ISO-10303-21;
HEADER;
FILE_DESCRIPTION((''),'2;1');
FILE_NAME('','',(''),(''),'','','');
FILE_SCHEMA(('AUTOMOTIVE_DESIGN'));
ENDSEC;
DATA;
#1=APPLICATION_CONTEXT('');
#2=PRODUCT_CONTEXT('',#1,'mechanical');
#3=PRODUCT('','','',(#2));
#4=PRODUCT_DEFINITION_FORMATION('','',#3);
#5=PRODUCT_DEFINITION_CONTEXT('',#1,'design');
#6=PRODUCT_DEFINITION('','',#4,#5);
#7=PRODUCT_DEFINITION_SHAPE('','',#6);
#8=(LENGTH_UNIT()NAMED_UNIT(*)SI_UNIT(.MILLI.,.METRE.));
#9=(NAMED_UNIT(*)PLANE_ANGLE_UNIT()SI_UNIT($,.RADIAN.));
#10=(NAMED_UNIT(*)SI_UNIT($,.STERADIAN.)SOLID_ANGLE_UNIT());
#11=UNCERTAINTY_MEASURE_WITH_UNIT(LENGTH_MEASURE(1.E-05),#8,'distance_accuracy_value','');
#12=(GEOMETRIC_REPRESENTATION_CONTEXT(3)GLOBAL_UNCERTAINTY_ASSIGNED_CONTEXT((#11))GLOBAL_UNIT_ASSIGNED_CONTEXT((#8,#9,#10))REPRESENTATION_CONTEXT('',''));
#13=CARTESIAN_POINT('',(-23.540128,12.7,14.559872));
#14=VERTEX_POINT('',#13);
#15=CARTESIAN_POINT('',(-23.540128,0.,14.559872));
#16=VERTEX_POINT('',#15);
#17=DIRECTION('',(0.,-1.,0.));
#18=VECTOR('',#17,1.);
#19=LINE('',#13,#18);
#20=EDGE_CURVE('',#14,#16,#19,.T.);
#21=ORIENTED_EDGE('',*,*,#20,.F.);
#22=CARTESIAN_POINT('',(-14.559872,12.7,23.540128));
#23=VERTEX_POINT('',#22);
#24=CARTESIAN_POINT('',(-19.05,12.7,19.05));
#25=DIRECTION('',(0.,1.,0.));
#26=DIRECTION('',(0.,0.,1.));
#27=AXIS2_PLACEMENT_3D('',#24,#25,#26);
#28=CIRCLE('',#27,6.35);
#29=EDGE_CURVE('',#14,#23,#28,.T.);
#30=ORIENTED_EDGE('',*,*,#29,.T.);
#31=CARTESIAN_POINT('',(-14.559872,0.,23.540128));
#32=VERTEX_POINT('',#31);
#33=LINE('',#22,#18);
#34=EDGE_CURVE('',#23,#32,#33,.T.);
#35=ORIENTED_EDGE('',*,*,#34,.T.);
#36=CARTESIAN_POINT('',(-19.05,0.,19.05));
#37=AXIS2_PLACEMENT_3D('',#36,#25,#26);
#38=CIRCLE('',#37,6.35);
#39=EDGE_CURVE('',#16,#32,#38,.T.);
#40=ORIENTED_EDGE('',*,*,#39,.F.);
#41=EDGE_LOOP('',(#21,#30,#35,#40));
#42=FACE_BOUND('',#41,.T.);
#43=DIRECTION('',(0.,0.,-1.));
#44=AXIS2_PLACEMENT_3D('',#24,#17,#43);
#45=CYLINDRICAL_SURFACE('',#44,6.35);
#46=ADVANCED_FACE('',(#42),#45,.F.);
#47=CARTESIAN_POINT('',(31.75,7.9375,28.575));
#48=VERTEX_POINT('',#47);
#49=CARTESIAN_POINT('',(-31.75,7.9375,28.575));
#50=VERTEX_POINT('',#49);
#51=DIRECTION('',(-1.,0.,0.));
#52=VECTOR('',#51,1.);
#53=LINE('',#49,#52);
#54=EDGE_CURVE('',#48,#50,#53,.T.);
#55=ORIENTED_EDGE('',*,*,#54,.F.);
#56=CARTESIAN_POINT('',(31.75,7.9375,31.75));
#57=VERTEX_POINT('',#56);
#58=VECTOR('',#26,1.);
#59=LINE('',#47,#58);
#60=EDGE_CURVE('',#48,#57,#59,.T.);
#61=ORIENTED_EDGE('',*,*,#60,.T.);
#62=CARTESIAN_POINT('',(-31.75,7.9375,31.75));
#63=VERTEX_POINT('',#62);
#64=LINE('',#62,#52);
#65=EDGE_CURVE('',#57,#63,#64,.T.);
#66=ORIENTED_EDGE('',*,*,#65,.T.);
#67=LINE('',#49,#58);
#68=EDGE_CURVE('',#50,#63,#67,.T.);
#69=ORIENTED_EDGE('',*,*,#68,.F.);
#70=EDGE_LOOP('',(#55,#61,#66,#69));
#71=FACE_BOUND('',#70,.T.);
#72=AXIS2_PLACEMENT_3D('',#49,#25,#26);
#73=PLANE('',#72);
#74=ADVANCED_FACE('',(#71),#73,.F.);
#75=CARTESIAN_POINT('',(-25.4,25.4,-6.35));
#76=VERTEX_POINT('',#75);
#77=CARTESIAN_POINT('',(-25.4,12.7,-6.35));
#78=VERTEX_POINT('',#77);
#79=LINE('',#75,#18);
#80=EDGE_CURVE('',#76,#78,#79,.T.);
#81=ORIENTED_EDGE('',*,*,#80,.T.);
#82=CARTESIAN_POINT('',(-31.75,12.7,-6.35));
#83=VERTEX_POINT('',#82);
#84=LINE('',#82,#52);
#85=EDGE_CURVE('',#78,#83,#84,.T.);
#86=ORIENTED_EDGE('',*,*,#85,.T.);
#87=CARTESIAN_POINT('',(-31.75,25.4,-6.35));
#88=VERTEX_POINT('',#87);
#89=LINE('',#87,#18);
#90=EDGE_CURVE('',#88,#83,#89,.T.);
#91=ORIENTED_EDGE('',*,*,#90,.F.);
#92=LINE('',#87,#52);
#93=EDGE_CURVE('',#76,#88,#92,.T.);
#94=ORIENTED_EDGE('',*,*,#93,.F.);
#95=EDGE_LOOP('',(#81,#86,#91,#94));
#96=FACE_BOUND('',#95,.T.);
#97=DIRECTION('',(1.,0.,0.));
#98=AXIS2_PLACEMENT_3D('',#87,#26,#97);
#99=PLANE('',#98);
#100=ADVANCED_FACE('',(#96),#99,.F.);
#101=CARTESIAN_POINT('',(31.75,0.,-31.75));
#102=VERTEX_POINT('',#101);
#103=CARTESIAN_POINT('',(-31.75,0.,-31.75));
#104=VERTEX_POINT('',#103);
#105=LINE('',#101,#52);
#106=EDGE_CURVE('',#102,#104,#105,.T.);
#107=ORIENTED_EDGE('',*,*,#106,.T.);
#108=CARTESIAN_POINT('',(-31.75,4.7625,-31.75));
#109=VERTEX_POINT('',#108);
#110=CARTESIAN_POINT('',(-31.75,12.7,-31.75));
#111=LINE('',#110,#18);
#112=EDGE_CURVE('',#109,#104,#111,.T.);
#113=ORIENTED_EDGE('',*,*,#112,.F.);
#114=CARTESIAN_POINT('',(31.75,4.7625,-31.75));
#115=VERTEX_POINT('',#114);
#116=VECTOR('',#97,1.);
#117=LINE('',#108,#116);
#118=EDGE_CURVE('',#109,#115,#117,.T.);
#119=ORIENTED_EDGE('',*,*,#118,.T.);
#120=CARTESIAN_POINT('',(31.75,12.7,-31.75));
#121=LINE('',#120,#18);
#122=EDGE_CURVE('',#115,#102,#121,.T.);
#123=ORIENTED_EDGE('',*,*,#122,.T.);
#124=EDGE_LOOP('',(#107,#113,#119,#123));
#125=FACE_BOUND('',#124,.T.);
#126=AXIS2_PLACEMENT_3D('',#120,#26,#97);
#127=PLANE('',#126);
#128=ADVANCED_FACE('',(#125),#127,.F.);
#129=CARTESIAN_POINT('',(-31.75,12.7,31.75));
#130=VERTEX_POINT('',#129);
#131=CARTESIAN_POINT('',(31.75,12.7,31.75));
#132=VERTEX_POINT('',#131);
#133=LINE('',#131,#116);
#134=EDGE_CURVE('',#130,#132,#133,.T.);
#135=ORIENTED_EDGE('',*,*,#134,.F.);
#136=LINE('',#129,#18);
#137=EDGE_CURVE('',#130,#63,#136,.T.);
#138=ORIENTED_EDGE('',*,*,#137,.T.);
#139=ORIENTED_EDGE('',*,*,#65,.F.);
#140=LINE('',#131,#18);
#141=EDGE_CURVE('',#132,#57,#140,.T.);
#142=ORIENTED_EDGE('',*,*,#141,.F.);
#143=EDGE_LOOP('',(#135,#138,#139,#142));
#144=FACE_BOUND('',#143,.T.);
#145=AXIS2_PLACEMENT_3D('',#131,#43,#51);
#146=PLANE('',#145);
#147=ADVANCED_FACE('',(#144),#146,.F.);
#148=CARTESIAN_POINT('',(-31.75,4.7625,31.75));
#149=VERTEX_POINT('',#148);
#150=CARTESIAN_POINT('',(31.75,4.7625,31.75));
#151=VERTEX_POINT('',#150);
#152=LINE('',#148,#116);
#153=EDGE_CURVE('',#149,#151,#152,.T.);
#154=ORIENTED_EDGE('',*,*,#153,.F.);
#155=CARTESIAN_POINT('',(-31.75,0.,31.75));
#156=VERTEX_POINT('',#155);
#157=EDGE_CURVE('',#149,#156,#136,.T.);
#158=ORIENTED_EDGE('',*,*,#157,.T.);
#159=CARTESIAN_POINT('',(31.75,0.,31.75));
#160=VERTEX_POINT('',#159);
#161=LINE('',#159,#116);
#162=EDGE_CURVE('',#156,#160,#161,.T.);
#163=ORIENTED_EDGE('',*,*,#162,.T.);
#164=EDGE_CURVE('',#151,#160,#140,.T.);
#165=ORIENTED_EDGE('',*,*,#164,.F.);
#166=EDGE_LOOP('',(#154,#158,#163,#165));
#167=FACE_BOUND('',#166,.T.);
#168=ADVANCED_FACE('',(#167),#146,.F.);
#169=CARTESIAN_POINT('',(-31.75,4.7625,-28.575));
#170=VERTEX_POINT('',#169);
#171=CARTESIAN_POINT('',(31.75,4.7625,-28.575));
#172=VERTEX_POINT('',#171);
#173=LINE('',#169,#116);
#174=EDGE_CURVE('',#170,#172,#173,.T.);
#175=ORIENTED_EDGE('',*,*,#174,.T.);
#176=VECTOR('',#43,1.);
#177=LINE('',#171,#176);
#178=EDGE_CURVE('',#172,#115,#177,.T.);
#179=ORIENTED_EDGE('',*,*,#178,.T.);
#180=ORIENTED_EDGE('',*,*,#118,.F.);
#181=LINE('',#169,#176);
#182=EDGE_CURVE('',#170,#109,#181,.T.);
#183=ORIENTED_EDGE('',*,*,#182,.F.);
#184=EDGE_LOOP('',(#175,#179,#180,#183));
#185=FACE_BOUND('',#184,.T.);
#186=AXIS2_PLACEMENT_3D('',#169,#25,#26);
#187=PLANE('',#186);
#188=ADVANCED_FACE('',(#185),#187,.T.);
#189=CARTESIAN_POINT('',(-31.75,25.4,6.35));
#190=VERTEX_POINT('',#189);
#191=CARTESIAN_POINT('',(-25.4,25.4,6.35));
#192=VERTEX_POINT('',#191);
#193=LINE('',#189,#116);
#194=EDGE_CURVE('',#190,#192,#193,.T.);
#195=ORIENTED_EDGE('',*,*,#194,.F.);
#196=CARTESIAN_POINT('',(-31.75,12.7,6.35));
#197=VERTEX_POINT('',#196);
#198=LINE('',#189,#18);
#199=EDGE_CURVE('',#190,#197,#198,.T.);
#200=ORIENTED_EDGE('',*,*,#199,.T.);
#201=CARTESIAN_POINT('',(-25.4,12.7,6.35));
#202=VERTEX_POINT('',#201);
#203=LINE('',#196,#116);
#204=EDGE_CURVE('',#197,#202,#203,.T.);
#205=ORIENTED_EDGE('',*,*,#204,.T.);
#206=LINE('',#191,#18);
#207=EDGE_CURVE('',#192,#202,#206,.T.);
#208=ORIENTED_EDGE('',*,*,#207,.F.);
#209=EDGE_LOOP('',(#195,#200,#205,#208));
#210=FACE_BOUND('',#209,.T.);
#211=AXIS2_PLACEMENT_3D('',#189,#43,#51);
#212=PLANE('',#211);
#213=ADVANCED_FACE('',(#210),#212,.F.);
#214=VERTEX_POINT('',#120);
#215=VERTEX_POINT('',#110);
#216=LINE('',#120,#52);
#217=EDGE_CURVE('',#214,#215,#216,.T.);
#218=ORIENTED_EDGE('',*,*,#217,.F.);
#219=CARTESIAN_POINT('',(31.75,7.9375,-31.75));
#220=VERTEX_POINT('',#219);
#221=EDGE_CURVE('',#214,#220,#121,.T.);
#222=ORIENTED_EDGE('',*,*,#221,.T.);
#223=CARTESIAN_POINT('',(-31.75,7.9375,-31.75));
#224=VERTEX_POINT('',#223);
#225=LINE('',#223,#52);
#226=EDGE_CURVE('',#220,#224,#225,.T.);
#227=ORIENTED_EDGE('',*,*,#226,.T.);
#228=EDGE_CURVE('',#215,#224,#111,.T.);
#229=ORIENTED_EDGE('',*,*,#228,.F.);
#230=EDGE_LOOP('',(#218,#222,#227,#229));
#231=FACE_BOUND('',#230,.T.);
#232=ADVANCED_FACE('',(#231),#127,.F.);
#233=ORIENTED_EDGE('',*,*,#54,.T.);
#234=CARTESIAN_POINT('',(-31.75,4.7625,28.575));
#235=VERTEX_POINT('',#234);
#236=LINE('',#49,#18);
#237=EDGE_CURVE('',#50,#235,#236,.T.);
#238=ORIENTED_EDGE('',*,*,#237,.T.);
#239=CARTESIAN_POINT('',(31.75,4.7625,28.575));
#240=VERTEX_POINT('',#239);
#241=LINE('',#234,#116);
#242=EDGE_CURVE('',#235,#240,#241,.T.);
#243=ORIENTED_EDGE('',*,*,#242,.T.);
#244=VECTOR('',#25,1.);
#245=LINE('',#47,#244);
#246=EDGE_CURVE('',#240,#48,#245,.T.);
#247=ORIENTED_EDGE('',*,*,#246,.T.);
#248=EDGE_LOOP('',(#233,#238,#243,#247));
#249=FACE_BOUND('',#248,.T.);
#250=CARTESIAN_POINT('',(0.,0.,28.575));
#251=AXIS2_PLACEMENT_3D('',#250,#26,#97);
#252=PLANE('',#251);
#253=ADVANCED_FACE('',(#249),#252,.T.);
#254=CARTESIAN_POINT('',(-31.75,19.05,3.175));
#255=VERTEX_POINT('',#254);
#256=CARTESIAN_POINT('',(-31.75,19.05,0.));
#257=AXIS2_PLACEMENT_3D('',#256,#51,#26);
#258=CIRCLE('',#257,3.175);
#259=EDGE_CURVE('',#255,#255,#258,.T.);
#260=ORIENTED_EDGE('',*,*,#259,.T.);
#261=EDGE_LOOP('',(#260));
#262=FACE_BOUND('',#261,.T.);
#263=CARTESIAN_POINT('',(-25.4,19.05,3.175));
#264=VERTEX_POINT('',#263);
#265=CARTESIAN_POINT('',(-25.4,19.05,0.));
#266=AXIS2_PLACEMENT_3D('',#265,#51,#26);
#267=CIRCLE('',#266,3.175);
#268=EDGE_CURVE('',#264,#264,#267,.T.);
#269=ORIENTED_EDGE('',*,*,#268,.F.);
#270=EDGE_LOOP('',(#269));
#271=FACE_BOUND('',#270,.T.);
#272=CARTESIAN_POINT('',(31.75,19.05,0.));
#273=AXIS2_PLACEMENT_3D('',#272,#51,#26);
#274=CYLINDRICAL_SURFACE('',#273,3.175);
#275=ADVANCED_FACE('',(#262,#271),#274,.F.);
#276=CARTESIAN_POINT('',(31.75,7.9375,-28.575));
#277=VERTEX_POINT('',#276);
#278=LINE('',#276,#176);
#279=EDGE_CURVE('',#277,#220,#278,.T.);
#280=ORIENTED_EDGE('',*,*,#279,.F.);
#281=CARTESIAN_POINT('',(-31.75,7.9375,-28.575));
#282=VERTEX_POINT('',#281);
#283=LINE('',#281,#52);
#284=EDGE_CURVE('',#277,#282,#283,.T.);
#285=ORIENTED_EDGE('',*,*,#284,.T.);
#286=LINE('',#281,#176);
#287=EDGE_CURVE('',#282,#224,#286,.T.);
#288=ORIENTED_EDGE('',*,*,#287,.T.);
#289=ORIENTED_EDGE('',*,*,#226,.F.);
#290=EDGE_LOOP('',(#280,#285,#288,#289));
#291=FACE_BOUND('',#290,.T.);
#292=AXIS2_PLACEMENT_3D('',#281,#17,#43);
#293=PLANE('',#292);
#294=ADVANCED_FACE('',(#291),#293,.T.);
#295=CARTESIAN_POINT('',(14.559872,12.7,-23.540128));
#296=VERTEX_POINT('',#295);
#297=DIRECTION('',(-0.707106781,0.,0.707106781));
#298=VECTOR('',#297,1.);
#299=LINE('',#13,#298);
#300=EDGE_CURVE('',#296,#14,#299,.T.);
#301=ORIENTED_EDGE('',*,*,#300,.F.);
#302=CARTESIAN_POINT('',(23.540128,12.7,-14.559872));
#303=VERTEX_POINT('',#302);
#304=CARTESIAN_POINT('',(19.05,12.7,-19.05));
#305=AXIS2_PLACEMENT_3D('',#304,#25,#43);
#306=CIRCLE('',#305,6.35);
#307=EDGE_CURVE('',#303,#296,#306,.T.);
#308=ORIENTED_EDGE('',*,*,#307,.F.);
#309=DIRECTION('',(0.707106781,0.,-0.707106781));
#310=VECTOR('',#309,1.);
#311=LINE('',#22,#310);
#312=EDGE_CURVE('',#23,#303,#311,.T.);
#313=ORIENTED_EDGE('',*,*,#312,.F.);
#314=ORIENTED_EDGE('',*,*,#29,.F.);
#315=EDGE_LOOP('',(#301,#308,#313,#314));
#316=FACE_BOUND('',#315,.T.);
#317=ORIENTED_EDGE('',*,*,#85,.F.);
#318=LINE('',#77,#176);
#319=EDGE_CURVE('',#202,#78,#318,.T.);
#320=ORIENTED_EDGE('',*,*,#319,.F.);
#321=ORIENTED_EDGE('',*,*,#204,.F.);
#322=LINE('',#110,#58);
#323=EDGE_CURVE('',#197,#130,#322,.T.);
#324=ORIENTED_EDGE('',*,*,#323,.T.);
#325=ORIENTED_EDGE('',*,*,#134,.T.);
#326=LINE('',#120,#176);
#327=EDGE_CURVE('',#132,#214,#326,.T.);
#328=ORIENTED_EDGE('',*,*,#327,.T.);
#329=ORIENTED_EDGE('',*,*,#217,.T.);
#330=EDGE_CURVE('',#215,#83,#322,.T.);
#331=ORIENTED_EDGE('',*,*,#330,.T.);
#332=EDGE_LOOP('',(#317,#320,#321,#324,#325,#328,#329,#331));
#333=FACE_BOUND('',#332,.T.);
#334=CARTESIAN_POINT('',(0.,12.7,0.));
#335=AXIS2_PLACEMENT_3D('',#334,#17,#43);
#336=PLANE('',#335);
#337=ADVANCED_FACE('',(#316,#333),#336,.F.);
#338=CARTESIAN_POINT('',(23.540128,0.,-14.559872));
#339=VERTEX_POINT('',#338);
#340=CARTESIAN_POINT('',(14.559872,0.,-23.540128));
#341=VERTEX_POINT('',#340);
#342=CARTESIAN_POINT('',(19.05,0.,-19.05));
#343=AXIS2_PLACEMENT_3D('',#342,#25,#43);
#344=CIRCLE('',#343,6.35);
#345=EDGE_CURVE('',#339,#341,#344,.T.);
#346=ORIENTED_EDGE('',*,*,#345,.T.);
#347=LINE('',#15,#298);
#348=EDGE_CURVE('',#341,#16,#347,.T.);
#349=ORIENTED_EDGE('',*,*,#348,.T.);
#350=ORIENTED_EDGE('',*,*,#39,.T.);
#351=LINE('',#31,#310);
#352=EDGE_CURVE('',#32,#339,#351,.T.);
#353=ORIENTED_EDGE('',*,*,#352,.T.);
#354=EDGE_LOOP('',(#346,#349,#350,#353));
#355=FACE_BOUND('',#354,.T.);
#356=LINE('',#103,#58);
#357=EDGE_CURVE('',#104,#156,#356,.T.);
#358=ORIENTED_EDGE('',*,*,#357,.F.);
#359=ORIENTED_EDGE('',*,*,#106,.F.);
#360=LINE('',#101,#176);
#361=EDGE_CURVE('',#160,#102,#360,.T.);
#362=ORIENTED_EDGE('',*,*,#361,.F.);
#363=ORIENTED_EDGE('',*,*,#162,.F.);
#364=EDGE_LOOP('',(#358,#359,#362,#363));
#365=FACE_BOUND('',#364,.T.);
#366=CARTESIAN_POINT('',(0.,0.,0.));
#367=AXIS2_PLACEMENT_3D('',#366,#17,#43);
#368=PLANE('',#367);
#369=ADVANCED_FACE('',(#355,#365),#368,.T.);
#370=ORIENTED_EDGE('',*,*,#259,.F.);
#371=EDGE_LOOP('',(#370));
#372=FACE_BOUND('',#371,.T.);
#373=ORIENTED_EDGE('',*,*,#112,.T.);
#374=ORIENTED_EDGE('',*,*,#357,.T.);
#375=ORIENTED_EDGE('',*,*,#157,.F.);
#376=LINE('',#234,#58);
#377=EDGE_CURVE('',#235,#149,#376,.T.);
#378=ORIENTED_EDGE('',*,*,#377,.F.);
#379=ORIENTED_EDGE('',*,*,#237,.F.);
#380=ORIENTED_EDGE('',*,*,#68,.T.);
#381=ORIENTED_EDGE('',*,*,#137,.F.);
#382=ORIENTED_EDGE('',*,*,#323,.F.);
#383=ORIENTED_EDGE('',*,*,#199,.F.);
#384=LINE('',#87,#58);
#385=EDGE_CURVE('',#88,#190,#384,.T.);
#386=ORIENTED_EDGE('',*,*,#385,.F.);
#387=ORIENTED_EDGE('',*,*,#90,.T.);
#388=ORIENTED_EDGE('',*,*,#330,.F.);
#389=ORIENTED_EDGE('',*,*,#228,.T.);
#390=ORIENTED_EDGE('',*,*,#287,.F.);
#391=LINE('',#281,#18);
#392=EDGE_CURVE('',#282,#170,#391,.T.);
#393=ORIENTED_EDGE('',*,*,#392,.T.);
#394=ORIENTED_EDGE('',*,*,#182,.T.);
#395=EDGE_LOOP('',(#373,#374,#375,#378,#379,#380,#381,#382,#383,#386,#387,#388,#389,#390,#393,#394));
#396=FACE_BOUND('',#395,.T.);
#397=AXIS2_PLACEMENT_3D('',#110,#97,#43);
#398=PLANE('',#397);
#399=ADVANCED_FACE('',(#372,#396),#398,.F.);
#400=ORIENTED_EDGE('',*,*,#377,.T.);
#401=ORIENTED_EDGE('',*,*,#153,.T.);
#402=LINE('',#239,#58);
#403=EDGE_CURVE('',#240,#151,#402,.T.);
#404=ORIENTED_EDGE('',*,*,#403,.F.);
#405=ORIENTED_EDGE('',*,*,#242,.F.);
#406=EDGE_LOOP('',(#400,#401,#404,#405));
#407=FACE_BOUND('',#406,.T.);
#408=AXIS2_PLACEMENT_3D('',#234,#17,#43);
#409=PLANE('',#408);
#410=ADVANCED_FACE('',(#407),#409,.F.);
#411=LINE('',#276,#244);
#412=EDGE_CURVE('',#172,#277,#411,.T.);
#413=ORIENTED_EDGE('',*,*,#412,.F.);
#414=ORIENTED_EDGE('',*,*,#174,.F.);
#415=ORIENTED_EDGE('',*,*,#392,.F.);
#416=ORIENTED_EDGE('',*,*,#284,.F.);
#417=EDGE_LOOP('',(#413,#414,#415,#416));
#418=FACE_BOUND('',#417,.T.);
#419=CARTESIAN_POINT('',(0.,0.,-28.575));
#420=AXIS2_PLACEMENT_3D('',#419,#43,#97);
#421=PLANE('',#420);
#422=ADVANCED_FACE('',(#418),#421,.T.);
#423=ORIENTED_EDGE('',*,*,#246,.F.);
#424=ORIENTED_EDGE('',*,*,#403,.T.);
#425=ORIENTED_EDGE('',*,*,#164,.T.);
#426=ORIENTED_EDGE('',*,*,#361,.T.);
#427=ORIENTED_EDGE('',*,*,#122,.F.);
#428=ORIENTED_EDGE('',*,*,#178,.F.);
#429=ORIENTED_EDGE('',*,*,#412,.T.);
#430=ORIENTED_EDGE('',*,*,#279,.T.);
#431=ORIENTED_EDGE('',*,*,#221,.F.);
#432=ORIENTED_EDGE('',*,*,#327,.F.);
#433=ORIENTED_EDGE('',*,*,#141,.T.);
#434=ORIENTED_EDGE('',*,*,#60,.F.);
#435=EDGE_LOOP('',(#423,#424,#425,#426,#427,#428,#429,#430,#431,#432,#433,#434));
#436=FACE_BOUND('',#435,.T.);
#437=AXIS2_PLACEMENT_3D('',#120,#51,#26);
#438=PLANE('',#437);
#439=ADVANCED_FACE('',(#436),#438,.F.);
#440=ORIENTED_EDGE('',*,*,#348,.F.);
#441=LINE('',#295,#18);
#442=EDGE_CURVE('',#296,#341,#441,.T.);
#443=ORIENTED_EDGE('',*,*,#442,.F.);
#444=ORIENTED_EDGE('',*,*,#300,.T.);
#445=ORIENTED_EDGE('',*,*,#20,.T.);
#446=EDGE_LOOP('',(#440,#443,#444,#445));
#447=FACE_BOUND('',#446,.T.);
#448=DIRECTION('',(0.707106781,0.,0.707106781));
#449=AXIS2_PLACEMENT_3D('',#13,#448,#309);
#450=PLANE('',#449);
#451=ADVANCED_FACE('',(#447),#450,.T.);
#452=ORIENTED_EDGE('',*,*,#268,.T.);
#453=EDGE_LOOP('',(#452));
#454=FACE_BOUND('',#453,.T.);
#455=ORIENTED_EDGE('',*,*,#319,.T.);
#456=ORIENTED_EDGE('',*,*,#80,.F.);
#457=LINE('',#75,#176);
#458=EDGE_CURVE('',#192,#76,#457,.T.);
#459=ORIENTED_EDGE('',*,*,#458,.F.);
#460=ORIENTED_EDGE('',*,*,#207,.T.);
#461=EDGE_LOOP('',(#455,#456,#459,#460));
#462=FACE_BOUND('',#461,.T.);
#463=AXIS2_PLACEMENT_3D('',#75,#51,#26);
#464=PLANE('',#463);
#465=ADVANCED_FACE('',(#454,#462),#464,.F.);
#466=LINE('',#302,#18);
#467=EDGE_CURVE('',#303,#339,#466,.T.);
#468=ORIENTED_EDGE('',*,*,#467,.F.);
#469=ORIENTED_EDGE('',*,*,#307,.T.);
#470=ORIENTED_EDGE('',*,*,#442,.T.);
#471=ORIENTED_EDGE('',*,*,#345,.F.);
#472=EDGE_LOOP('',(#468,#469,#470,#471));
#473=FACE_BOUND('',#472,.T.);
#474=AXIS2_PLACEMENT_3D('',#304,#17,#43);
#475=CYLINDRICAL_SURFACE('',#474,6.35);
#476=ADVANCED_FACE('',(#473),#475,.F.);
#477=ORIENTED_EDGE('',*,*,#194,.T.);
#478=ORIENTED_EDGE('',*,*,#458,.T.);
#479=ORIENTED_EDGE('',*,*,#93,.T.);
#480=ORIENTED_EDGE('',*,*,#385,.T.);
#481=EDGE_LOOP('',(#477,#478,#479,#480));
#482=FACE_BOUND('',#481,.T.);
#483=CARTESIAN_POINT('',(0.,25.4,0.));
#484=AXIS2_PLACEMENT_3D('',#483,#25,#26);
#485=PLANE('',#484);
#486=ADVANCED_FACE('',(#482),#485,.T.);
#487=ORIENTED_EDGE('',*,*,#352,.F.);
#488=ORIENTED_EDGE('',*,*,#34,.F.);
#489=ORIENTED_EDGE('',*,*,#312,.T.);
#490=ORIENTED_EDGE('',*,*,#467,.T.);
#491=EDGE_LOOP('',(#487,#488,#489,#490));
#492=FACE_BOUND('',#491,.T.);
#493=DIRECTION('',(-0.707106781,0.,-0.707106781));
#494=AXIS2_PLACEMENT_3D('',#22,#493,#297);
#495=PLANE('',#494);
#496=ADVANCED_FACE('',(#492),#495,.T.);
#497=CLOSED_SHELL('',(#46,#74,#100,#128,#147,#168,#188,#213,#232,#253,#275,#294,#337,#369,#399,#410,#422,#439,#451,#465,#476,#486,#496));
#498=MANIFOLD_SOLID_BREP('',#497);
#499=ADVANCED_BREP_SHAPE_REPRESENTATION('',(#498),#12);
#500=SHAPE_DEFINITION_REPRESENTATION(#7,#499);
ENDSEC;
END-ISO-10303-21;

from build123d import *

# Parameters (mm, degrees)
SKETCH1_W           = 63.5
SKETCH1_H           = 63.5
BOSS_EXTRUDE1_DEPTH = 12.7
SKETCH2_W           = 63.5
SKETCH2_H           = 3.175
CUT_EXTRUDE1_DEPTH  = 3.175
SKETCH3_W           = 6.35
SKETCH3_H           = 12.7
BOSS_EXTRUDE2_DEPTH = 12.7
SKETCH4_R           = 3.175
CUT_EXTRUDE2_DEPTH  = 64.5


with BuildPart() as part:
    # Sketch1 → Boss-Extrude1 (new body)
    with BuildSketch(Plane(origin=(0, 0, 0), x_dir=(1, 0, 0), z_dir=(0, 1, 0))):
        Rectangle(SKETCH1_W, SKETCH1_H)
        with BuildLine():
            Line((-23.540128061, -14.559871939), (14.559871939, 23.540128061))
            ThreePointArc((14.559871939, 23.540128061), (23.540128061, 23.540128061), (23.540128061, 14.559871939))
            Line((23.540128061, 14.559871939), (-14.559871939, -23.540128061))
            ThreePointArc((-14.559871939, -23.540128061), (-23.540128061, -23.540128061), (-23.540128061, -14.559871939))
        make_face(mode=Mode.SUBTRACT)
    extrude(amount=BOSS_EXTRUDE1_DEPTH)

    # Sketch2 → Cut-Extrude1 (cut)
    with BuildSketch(Plane.XY.offset(31.75)):
        with Locations((0, 6.35)):
            Rectangle(SKETCH2_W, SKETCH2_H)
    cut_extrude1 = extrude(amount=-CUT_EXTRUDE1_DEPTH, mode=Mode.SUBTRACT)

    # Mirror1: Cut-Extrude1 across plane
    add(cut_extrude1.mirror(Plane.XY), mode=Mode.SUBTRACT)

    # Sketch3 → Boss-Extrude2 (add)
    with BuildSketch(Plane(origin=(0, 12.7, 0), x_dir=(1, 0, 0), z_dir=(0, 1, 0))):
        with Locations((-28.575, 0)):
            Rectangle(SKETCH3_W, SKETCH3_H)
    extrude(amount=BOSS_EXTRUDE2_DEPTH)

    # Sketch4 → Cut-Extrude2 (cut, through all)
    with BuildSketch(Plane.ZY.offset(31.75)):
        with Locations((0, 19.05)):
            Circle(SKETCH4_R)
    extrude(amount=-CUT_EXTRUDE2_DEPTH, mode=Mode.SUBTRACT)


solid = part.part
